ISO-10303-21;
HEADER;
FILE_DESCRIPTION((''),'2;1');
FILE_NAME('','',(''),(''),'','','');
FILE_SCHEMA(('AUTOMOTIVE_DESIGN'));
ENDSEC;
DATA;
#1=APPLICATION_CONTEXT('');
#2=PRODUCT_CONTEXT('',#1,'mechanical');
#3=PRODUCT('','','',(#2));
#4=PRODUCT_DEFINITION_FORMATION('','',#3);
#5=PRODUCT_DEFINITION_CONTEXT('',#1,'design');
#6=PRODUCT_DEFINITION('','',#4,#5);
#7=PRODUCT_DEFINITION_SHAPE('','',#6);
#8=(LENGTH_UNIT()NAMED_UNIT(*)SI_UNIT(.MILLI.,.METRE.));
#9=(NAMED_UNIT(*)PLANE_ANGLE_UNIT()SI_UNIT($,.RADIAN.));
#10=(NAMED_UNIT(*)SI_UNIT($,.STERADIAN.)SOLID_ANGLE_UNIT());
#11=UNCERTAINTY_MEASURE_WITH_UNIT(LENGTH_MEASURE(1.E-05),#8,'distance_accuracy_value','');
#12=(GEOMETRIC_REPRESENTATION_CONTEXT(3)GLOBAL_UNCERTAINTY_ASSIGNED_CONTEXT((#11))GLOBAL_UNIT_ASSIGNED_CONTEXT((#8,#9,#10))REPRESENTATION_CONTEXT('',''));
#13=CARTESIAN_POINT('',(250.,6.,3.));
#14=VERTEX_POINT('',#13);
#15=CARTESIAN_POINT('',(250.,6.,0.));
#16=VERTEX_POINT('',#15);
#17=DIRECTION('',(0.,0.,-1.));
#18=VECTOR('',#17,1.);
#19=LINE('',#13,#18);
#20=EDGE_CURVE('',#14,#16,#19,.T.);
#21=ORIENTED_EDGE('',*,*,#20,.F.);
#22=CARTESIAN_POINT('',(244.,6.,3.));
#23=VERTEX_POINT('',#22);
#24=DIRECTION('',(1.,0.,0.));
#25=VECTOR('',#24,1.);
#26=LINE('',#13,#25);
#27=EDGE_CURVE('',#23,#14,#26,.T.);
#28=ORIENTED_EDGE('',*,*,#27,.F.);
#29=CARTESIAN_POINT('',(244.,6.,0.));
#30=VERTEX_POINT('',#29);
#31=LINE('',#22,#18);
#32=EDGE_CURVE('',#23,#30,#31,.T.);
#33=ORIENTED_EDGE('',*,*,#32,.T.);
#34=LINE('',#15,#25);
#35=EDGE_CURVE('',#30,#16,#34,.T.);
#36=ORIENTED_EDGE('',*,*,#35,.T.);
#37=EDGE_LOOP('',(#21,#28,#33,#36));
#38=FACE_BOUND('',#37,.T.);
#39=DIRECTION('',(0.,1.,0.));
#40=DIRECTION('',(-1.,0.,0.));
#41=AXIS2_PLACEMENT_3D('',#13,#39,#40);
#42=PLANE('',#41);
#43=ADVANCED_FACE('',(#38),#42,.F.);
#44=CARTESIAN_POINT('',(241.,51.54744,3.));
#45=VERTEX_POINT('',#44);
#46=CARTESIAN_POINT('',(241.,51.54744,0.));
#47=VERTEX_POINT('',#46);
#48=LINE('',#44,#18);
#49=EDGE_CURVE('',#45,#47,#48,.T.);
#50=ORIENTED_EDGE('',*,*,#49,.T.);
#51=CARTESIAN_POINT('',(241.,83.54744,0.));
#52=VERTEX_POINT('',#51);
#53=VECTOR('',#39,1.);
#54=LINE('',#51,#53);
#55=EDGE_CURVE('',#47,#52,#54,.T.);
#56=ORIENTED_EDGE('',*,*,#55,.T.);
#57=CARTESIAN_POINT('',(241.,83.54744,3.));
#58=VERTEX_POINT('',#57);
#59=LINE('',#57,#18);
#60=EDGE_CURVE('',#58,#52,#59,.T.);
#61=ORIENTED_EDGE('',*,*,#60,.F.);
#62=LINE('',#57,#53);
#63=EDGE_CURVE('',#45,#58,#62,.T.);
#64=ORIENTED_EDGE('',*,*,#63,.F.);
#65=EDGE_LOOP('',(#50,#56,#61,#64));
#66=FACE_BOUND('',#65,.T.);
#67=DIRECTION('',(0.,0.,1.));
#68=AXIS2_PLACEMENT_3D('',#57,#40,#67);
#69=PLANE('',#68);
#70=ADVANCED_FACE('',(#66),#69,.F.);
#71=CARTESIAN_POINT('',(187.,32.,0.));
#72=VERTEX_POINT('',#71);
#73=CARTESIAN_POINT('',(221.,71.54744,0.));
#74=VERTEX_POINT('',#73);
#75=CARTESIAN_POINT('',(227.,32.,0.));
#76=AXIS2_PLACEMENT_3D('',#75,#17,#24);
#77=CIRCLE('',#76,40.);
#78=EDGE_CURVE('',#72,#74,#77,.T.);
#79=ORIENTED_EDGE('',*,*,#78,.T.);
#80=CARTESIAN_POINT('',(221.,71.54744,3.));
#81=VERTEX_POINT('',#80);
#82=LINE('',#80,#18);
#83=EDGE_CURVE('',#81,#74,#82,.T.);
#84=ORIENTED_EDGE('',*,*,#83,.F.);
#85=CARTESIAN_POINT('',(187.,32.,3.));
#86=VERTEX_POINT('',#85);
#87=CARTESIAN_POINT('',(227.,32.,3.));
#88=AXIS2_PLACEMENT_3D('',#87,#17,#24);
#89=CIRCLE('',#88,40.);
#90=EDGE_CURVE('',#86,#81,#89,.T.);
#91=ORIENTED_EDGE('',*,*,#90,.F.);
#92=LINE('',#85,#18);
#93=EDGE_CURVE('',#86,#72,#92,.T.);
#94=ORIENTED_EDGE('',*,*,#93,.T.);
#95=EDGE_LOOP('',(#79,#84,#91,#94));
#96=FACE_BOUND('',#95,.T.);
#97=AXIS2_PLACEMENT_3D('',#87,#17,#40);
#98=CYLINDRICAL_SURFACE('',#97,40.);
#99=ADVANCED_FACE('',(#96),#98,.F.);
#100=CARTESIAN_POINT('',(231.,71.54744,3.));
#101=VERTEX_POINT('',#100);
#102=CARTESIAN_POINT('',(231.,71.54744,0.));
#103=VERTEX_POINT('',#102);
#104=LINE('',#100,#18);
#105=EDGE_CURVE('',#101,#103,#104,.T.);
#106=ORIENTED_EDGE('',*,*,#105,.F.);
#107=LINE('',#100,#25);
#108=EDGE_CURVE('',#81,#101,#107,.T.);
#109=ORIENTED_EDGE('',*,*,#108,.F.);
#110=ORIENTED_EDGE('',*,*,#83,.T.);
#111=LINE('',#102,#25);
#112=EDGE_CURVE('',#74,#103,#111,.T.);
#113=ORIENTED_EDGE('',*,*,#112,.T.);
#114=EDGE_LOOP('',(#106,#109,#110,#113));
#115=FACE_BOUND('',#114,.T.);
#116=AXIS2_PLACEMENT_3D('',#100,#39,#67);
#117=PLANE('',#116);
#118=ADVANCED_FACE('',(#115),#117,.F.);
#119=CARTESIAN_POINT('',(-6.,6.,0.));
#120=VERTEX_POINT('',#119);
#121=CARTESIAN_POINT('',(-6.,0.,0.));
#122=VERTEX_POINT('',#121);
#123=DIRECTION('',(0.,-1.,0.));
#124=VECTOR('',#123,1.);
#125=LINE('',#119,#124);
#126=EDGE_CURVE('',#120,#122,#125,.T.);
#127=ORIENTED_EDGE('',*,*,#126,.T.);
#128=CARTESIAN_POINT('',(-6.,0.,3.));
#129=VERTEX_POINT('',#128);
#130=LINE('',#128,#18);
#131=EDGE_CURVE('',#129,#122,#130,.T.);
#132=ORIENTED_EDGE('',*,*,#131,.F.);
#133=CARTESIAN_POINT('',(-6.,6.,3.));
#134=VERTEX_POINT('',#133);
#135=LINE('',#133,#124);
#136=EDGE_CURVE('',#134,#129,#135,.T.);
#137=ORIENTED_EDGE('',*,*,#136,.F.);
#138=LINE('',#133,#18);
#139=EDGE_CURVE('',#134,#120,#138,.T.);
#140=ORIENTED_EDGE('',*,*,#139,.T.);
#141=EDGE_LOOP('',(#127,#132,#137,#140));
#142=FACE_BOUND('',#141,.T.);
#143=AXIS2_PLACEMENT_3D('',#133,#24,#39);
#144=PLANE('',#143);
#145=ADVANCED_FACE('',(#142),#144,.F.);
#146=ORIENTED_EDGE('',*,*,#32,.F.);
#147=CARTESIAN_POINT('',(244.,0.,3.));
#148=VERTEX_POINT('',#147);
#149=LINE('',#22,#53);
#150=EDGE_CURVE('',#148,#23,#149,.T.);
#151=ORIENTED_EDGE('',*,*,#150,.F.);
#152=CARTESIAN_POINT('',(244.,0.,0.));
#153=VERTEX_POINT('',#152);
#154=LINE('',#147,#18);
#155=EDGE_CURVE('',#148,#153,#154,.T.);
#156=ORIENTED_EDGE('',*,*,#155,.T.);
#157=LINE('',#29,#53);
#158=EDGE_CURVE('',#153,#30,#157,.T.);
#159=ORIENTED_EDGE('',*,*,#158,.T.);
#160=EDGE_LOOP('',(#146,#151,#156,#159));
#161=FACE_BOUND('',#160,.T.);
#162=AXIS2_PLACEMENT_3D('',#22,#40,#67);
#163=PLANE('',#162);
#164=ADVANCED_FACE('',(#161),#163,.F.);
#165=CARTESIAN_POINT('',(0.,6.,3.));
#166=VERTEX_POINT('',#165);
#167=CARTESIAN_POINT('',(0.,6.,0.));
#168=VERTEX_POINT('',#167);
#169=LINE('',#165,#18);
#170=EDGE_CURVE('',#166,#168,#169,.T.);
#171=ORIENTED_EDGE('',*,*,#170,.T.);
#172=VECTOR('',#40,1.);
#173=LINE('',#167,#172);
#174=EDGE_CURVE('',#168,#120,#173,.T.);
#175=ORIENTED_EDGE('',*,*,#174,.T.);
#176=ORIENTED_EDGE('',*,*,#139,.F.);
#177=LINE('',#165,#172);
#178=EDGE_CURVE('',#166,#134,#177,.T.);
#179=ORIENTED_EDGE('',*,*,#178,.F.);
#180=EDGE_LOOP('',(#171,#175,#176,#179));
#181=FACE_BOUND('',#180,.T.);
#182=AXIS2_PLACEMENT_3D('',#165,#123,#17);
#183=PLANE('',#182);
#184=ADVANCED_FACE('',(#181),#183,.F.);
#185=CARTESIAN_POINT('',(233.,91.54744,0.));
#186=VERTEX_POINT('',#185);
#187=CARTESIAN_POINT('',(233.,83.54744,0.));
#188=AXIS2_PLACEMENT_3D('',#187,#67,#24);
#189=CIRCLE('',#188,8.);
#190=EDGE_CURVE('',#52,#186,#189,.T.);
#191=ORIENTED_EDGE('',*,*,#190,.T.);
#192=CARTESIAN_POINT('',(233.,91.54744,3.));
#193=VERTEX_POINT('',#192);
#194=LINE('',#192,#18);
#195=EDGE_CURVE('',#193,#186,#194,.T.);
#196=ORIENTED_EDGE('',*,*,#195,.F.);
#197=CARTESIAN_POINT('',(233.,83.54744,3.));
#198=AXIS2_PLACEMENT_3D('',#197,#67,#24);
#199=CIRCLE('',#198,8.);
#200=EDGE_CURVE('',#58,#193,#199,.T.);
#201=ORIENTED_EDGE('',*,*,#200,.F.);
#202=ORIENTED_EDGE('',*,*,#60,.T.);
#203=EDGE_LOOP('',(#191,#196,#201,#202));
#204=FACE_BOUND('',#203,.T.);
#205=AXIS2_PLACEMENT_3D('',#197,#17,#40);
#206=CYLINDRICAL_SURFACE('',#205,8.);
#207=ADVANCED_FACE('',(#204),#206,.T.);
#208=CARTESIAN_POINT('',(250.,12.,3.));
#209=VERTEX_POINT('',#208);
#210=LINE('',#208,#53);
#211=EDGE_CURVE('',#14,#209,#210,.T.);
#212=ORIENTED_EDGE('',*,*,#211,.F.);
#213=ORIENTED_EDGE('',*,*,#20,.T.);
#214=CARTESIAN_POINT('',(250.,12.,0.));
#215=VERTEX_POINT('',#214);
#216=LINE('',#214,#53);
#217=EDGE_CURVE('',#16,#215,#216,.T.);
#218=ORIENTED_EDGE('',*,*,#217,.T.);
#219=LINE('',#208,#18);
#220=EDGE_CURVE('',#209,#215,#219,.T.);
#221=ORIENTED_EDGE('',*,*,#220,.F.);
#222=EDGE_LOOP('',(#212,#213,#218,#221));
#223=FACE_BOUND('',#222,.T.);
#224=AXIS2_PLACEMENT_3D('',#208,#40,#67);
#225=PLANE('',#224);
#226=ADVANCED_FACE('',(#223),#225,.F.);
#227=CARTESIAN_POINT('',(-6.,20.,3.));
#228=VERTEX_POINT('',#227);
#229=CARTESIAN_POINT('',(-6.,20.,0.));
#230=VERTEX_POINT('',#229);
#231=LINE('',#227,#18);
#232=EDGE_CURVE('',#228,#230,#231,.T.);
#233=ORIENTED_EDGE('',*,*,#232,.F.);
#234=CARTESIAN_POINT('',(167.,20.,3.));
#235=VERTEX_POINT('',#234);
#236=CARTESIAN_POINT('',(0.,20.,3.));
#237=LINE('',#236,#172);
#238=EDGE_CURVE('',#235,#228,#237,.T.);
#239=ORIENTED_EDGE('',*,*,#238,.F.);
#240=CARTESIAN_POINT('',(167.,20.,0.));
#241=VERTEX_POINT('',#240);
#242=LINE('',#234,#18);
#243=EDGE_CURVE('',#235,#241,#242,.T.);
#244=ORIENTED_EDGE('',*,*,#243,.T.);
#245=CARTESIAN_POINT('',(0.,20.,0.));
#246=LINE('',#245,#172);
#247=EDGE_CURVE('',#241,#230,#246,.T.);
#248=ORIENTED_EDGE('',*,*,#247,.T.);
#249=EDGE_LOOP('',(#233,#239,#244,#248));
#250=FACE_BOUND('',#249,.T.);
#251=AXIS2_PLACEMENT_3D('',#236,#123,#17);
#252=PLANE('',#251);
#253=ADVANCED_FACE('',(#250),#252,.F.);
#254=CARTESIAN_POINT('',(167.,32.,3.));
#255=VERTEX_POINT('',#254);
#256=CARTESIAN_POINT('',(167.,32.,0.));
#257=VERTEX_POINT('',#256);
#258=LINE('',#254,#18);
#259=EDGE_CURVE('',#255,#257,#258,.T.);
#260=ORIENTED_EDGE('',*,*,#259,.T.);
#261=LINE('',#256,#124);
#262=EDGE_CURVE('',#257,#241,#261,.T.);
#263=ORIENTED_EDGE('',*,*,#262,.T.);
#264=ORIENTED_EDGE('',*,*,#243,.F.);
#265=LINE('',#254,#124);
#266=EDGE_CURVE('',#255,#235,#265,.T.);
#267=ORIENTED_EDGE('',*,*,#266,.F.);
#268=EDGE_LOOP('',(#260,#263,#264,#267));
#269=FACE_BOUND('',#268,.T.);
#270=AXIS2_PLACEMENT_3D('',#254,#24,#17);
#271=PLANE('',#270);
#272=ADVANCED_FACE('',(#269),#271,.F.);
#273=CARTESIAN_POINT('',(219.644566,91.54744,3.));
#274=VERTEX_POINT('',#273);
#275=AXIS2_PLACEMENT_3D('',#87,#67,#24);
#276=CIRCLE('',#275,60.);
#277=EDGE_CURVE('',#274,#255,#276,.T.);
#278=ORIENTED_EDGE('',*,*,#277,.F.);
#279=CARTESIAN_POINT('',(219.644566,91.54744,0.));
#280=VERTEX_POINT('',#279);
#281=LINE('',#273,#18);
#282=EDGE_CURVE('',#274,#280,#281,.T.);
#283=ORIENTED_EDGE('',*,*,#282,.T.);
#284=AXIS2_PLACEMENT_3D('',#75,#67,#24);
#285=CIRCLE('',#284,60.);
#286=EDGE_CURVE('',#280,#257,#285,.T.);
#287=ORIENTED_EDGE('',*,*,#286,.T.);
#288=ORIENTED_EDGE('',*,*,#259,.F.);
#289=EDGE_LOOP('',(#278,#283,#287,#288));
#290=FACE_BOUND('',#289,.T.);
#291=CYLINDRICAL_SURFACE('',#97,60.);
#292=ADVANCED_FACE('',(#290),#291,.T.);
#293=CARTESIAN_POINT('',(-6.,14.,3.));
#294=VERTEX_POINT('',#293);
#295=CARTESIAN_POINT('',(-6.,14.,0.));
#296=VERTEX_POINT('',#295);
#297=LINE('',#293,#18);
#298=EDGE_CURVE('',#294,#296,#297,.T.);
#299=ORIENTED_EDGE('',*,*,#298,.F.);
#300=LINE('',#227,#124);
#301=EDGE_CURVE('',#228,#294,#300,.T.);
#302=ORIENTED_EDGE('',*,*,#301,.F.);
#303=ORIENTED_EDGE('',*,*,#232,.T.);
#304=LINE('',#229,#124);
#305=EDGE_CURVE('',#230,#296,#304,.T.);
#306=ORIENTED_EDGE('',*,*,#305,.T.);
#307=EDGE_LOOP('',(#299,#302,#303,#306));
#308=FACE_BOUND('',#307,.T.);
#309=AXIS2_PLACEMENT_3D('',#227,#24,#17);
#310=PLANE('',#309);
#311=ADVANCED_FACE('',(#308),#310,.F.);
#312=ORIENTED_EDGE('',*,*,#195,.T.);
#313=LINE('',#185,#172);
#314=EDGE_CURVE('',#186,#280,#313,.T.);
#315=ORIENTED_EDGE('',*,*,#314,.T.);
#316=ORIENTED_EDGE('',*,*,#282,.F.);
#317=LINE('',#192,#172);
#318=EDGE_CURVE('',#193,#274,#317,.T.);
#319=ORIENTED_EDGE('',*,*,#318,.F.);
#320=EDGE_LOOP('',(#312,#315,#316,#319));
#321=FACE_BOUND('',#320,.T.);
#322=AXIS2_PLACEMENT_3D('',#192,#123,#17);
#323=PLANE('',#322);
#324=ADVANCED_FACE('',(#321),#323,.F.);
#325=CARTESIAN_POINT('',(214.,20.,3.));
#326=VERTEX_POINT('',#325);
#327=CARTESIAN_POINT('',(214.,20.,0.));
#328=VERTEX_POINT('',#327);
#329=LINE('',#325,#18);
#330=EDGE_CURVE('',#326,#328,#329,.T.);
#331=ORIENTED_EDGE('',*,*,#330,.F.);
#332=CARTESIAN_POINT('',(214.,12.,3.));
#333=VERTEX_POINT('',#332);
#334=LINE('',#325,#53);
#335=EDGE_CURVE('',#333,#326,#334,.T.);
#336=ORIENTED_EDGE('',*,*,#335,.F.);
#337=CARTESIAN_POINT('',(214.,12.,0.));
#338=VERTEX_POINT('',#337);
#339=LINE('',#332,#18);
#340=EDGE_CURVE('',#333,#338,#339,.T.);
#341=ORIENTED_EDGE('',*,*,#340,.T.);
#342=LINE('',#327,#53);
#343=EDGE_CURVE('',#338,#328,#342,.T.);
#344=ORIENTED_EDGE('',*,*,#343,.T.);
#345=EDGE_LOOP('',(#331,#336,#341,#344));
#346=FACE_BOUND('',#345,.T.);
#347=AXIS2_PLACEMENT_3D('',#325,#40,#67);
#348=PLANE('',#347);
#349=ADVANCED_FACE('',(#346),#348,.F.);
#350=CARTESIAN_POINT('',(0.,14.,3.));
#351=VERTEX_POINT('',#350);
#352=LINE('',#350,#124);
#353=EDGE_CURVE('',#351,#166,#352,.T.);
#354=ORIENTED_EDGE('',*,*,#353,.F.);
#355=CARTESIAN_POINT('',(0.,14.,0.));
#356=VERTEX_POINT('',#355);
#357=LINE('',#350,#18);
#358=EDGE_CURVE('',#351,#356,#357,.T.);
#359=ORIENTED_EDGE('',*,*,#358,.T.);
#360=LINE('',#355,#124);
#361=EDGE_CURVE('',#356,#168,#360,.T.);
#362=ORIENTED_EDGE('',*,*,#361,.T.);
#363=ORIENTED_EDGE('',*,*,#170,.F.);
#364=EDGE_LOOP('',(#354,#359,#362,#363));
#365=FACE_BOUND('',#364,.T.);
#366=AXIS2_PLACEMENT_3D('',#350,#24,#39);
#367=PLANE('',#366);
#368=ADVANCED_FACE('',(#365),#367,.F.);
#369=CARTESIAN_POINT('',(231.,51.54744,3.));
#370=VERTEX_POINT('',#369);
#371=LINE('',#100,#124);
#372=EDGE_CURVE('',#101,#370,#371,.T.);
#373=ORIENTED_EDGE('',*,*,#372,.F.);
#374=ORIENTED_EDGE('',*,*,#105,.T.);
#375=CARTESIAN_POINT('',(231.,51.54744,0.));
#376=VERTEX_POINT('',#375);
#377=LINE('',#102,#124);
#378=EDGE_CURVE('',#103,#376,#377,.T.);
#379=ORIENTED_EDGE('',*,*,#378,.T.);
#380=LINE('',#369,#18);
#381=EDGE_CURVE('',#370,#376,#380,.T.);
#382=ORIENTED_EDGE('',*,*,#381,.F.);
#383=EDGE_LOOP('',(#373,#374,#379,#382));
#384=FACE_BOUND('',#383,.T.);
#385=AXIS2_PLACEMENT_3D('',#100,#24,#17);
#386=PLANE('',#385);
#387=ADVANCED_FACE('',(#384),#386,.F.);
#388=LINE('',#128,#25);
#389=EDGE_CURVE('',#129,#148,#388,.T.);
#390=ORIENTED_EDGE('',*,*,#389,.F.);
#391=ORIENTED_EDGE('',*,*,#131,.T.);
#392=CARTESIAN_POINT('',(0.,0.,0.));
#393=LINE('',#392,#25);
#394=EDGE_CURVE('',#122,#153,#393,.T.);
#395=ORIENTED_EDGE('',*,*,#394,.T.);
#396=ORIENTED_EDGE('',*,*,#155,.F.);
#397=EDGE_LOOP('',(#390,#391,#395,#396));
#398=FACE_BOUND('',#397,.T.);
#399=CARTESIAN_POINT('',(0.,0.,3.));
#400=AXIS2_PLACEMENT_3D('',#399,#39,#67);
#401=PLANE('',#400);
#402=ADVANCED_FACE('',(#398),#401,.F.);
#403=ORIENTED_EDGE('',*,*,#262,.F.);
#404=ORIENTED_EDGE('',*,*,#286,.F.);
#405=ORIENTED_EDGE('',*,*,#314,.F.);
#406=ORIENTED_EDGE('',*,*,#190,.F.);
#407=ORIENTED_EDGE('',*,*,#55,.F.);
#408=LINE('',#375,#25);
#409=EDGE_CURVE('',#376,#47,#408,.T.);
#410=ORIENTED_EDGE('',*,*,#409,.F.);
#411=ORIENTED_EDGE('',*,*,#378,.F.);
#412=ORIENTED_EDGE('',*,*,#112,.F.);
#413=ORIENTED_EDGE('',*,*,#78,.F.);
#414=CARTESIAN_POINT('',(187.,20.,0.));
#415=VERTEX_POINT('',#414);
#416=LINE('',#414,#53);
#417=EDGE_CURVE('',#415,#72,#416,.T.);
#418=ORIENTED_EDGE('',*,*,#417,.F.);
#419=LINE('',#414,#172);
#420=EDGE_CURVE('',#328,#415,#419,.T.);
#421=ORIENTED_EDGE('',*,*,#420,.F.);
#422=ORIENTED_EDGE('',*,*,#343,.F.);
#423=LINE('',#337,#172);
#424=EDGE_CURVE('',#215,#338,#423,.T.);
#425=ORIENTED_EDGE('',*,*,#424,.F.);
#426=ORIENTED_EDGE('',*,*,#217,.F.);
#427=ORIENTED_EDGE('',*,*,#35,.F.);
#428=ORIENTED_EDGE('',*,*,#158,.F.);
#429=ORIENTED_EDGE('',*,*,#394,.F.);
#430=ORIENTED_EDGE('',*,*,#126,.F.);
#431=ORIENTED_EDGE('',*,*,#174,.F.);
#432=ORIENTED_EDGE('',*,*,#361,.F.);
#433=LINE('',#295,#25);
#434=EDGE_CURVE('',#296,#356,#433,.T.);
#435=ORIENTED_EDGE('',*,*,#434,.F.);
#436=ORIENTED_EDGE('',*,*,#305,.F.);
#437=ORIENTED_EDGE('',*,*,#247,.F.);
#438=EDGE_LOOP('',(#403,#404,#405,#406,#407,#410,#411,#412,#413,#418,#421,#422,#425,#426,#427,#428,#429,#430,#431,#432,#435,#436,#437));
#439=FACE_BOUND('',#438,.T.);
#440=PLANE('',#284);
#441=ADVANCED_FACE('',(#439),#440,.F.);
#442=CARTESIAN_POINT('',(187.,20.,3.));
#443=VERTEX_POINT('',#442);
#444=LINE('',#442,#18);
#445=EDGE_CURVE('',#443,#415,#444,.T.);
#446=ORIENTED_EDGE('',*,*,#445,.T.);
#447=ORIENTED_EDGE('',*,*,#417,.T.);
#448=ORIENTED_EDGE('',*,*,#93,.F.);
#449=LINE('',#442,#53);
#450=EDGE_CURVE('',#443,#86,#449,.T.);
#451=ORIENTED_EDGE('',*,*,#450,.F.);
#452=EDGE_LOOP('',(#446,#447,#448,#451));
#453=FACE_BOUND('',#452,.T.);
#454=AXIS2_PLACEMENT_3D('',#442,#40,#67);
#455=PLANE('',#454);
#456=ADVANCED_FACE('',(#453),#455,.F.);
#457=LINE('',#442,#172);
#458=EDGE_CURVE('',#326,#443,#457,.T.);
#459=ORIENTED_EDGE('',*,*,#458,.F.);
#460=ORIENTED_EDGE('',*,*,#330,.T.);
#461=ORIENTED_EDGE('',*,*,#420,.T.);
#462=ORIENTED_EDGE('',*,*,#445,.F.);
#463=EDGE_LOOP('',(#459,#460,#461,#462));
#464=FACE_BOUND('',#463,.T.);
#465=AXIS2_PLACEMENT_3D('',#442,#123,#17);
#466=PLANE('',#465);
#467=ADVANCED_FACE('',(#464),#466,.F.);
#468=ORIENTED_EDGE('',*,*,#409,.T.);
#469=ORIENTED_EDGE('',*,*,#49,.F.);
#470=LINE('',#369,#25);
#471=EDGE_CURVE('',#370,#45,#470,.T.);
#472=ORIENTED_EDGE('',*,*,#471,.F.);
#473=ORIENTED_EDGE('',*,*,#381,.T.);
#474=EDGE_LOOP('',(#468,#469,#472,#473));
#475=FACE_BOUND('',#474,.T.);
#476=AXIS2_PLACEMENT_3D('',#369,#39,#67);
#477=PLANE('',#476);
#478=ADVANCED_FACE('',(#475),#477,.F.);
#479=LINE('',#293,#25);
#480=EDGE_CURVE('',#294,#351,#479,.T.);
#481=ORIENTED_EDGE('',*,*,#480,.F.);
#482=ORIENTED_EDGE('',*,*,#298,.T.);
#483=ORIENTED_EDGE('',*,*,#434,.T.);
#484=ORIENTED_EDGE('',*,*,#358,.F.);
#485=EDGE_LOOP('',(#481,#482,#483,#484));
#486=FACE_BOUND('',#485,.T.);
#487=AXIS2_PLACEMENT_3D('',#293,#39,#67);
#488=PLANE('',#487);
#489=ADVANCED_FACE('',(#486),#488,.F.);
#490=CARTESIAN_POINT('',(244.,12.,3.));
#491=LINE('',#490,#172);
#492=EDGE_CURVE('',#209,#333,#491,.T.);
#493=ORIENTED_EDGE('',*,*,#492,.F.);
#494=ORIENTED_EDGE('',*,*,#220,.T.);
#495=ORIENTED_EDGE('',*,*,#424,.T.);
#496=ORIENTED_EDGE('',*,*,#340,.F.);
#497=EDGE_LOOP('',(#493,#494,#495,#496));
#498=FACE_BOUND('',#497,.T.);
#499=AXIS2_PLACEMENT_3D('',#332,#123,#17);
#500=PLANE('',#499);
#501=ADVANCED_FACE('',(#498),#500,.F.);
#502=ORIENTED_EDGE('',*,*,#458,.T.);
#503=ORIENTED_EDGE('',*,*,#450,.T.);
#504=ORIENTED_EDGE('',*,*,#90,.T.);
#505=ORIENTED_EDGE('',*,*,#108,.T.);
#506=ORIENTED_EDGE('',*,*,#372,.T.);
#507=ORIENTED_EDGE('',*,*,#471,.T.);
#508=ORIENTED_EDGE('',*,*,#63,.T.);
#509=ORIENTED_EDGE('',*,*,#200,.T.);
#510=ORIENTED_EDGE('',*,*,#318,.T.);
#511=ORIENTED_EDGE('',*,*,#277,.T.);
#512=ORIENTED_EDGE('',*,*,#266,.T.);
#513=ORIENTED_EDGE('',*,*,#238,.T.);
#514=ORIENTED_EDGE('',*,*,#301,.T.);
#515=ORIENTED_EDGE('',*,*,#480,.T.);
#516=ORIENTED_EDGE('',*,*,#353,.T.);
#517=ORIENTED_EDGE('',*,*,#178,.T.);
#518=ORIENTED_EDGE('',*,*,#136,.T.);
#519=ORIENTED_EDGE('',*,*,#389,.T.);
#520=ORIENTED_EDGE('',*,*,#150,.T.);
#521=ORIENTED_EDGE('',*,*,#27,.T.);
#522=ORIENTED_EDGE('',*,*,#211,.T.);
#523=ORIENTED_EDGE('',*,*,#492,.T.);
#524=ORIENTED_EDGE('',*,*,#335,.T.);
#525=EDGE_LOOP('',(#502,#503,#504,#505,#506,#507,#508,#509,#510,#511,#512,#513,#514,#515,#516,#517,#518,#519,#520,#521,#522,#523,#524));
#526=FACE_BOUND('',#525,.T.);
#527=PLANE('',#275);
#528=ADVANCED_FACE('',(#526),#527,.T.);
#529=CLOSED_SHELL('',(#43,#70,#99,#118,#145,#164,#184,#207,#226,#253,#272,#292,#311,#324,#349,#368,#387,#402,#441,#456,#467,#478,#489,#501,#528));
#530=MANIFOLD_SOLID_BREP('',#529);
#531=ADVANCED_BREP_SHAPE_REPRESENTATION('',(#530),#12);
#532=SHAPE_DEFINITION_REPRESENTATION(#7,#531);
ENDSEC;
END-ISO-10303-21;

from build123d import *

# Parameters (mm, degrees)
EXTRUDE_1_DEPTH = 3


with BuildPart() as part:
    # Эскиз2 → Бобышка-Вытянуть1 (new body)
    with BuildSketch(Plane.XY):
        with BuildLine():
            Line((0, 0), (244, 0))
            Line((244, 0), (244, 6))
            Line((244, 6), (250, 6))
            Line((250, 6), (250, 12))
            Line((250, 12), (244, 12))
            Line((244, 12), (214, 12))
            Line((214, 12), (214, 20))
            Line((214, 20), (187, 20))
            Line((187, 20), (187, 32))
            ThreePointArc((187, 32), (196.668498224, 58.076809621), (221, 71.547439867))
            Line((221, 71.547439867), (231, 71.547439867))
            Line((231, 71.547439867), (231, 51.547439867))
            Line((231, 51.547439867), (241, 51.547439867))
            Line((241, 51.547439867), (241, 83.547439867))
            ThreePointArc((241, 83.547439867), (238.656854249, 89.204294116), (233, 91.547439867))
            Line((233, 91.547439867), (219.644566271, 91.547439867))
            ThreePointArc((219.644566271, 91.547439867), (182.048214587, 71.740873017), (167, 32))
            Line((167, 32), (167, 20))
            Line((167, 20), (0, 20))
            Line((0, 20), (-6, 20))
            Line((-6, 20), (-6, 14))
            Line((-6, 14), (0, 14))
            Line((0, 14), (0, 6))
            Line((0, 6), (-6, 6))
            Line((-6, 6), (-6, 0))
            Line((-6, 0), (0, 0))
        make_face()
    extrude(amount=EXTRUDE_1_DEPTH)


solid = part.part
